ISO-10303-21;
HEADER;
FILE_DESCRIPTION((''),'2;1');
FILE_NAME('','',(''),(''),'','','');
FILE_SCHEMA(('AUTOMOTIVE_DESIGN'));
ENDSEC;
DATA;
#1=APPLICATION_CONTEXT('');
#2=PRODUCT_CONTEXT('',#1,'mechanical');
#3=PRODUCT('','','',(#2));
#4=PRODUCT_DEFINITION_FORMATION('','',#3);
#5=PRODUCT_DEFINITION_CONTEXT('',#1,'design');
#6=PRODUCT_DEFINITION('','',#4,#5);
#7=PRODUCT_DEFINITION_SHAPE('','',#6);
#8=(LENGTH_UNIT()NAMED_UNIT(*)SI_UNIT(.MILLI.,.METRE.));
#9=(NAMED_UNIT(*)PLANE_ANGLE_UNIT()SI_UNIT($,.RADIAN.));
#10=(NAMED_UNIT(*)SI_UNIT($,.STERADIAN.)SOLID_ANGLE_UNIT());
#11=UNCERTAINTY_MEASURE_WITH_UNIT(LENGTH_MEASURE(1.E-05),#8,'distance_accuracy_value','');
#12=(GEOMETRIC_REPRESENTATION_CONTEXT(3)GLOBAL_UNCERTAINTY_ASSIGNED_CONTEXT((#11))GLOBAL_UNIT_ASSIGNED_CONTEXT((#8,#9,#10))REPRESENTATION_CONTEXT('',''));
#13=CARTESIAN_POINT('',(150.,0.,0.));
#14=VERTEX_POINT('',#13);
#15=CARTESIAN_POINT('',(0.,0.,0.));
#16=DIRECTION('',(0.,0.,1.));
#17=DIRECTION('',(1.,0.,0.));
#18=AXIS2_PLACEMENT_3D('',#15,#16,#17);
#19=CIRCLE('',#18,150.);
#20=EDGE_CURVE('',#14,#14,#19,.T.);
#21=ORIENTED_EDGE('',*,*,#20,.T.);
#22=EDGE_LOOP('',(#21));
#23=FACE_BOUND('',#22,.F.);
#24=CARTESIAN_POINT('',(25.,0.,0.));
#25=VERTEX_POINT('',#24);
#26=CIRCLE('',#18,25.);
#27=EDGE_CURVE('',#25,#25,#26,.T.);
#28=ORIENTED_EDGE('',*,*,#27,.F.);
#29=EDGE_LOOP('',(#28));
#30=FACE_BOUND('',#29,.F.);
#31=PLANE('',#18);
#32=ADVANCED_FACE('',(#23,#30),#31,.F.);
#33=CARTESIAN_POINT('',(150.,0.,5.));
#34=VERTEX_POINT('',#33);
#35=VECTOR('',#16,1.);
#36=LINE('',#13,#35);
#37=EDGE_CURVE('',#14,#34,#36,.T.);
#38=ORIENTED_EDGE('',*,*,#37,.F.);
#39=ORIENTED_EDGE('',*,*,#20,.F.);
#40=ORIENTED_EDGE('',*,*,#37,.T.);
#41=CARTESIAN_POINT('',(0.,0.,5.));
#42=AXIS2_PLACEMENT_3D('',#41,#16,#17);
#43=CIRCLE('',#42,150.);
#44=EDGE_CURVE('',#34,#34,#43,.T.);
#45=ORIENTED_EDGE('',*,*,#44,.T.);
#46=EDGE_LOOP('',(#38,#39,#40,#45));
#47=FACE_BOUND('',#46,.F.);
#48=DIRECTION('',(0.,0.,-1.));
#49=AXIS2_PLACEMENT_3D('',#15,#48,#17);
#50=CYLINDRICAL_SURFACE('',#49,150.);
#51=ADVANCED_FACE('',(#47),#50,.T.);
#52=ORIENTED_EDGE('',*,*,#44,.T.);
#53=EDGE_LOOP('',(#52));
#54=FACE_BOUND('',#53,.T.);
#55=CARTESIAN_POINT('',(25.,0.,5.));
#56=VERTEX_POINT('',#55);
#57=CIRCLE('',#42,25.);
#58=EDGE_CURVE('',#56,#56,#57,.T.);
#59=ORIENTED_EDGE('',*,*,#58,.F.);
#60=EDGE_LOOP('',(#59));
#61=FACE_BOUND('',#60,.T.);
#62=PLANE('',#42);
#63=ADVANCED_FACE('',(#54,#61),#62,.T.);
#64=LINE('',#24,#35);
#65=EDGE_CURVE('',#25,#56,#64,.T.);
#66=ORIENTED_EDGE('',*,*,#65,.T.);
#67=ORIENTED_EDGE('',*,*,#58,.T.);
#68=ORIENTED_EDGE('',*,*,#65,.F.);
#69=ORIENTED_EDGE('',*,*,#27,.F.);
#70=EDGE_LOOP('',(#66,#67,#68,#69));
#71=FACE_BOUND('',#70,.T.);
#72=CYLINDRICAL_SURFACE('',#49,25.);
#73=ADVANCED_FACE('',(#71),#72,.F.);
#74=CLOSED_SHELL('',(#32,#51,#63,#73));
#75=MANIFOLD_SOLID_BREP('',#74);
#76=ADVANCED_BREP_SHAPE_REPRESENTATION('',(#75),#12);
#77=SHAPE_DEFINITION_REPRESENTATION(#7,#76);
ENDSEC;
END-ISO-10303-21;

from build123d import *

# Parameters (mm, degrees)
CYLINDER001_R     = 25
CYLINDER001_DEPTH = 5
CYLINDER_R        = 150
CYLINDER_DEPTH    = 5


with BuildPart() as center_hole:
    # Cylinder001 → Cylinder001 (new body)
    with BuildSketch(Plane.XY):
        Circle(CYLINDER001_R)
    extrude(amount=CYLINDER001_DEPTH)


with BuildPart() as cut:
    # Cylinder → Cylinder (new body)
    with BuildSketch(Plane.XY):
        Circle(CYLINDER_R)
    extrude(amount=CYLINDER_DEPTH)

    # Cut: cut Center Hole
    add(center_hole.part, mode=Mode.SUBTRACT)


solid = cut.part
